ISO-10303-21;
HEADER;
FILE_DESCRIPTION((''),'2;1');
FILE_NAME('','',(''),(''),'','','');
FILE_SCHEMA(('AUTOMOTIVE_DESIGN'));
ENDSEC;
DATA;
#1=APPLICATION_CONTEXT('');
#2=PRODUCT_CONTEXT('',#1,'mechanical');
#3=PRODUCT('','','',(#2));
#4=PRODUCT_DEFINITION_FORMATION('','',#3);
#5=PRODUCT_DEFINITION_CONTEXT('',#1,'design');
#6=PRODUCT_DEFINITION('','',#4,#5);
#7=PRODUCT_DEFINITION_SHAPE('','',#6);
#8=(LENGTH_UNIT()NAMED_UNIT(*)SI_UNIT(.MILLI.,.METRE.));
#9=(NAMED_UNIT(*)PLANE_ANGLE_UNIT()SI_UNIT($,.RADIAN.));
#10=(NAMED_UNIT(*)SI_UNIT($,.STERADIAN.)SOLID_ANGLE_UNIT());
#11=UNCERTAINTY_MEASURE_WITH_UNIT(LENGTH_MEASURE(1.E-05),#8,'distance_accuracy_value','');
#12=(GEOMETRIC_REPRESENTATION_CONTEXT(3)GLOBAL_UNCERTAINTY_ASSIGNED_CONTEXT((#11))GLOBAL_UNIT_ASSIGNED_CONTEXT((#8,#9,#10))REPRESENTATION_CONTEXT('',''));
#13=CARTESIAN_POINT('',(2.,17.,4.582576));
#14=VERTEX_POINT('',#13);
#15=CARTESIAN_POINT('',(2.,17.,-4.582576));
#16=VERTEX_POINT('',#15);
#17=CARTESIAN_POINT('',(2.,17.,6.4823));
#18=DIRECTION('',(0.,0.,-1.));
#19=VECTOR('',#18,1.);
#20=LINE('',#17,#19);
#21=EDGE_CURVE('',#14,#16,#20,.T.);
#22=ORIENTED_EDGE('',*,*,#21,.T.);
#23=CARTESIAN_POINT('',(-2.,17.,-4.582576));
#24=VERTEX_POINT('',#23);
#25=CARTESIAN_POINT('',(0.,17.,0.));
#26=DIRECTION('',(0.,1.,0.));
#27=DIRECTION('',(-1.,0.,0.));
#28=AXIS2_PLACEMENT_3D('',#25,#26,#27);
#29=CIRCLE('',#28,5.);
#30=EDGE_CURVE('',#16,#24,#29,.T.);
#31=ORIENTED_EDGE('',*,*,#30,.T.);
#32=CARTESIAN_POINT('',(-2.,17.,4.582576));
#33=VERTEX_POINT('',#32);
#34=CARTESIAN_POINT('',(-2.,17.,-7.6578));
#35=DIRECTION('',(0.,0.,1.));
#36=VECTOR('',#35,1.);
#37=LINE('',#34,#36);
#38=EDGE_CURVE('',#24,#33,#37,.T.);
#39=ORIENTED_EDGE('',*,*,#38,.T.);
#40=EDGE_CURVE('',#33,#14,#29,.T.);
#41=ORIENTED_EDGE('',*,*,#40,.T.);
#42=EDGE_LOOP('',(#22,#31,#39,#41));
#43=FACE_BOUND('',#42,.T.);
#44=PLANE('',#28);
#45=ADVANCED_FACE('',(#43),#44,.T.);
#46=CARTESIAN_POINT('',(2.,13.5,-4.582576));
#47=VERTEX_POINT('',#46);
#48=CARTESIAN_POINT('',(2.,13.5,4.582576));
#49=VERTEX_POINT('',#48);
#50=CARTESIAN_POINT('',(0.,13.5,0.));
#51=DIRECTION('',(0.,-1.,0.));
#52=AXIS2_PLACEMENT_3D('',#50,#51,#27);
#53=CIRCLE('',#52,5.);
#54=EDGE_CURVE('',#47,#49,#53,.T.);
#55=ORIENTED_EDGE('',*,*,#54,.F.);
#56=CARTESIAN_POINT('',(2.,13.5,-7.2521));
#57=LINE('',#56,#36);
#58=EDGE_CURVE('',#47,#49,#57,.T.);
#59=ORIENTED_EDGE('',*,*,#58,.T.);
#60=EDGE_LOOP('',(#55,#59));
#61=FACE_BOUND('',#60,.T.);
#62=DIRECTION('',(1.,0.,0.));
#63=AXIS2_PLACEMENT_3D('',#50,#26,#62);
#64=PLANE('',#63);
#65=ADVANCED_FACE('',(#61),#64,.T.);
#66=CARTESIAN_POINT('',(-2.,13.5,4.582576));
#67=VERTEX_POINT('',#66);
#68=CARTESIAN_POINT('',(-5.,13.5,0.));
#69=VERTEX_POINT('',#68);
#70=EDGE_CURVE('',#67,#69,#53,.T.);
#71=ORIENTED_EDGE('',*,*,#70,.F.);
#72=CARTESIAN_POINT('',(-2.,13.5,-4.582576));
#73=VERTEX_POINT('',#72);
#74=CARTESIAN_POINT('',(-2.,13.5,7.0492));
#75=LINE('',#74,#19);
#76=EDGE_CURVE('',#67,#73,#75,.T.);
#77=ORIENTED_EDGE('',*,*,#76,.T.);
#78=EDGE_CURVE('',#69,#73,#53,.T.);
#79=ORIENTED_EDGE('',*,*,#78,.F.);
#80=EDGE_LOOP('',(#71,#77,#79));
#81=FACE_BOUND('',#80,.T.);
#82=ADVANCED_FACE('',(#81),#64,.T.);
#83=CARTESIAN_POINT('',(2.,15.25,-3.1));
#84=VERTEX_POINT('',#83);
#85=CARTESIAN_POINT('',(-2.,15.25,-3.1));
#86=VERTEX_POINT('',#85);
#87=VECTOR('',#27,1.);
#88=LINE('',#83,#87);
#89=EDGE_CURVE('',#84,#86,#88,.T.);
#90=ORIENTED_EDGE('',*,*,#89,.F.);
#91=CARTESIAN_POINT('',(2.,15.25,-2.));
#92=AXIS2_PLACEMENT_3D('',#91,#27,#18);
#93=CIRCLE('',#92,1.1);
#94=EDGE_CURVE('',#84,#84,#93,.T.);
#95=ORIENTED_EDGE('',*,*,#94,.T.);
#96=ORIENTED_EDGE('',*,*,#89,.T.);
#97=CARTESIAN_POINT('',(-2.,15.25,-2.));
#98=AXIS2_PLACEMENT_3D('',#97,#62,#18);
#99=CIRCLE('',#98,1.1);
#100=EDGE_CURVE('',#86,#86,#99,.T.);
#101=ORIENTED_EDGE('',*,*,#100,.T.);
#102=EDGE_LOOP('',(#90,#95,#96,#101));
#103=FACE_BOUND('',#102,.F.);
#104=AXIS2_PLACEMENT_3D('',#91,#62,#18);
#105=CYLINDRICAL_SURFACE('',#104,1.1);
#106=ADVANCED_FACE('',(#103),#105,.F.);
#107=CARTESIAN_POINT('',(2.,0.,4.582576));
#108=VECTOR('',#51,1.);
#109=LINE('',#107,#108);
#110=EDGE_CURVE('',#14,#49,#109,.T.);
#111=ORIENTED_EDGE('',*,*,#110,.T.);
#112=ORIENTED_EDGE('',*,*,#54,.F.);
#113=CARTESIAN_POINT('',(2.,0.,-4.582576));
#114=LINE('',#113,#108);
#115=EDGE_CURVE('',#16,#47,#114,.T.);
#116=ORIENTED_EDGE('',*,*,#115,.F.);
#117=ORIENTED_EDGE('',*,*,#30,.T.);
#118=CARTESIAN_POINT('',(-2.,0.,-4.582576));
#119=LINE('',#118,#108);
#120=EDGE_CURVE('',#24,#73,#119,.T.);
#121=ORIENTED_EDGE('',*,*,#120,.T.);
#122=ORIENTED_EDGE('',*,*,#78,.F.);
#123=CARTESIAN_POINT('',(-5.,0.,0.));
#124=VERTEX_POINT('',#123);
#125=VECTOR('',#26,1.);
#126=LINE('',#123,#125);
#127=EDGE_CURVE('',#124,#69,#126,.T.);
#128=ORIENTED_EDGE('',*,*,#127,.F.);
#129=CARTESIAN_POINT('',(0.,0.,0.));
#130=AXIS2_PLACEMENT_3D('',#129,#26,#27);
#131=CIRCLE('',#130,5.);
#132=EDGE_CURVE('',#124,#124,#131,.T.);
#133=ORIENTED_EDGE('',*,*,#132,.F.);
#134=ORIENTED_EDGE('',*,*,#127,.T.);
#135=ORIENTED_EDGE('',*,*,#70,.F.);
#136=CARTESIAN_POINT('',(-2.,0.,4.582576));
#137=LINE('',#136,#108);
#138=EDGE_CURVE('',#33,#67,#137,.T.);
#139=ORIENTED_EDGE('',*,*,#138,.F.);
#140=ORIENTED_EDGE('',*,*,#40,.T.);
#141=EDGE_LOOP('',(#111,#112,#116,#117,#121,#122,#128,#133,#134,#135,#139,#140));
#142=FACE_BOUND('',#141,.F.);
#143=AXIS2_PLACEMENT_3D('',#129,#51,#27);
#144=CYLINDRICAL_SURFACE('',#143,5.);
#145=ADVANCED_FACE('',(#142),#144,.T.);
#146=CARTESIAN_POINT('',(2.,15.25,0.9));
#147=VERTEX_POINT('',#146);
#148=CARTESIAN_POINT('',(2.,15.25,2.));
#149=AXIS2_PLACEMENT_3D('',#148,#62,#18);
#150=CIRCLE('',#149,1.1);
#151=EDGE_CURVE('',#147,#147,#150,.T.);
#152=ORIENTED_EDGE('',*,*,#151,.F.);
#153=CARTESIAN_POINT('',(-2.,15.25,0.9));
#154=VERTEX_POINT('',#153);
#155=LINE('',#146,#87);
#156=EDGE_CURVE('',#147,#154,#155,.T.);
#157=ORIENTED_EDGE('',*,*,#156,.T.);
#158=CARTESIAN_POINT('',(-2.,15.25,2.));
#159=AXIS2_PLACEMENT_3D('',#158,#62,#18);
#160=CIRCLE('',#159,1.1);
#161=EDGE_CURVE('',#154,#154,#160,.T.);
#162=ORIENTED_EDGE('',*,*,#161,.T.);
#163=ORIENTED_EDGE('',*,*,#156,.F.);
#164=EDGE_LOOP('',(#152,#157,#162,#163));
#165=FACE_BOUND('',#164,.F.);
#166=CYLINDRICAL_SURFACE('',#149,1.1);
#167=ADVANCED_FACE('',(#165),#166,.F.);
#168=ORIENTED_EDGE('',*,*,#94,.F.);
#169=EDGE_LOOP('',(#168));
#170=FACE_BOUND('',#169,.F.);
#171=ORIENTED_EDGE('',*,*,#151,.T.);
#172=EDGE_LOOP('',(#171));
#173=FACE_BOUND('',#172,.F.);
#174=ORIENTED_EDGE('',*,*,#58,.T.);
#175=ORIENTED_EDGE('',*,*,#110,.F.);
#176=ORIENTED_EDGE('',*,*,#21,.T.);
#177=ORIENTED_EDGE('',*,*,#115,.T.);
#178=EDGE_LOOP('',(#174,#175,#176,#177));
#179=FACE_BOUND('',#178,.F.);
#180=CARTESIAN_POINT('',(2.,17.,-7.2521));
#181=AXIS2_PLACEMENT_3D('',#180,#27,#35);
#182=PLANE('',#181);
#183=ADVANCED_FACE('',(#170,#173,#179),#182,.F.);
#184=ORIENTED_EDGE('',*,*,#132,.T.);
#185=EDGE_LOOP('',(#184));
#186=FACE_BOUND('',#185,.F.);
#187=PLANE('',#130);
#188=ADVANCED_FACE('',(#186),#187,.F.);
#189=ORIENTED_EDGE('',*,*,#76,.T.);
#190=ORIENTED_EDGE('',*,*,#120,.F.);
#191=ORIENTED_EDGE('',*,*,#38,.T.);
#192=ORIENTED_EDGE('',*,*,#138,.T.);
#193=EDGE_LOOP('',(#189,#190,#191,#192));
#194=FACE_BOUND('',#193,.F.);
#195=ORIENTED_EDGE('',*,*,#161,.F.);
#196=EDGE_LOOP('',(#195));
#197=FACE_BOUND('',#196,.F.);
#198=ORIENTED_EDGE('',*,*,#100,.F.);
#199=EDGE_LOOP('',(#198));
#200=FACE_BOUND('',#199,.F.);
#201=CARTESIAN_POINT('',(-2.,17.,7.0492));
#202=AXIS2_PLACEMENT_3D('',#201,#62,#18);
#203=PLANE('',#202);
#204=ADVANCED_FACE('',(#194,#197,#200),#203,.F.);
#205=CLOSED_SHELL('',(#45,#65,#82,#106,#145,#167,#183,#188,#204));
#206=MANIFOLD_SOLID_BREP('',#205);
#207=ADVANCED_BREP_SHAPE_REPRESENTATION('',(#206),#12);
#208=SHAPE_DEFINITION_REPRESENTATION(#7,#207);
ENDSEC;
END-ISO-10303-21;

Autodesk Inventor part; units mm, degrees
ref_plane "YZ Plane" through (0, 0, 0) normal (1, 0, 0) x (0, 1, 0)
ref_plane "XZ Plane" through (0, 0, 0) normal (0, 1, 0) x (-1, 0, 0)
ref_plane "XY Plane" through (0, 0, 0) normal (0, 0, 1) x (1, 0, 0)
sketch "Sketch1" plane through (0, 0, 0) normal (0, 1, 0) x (-1, 0, 0)
  circle A0 centre (0, 0) radius 5
  dimension "d0" = 10
extrude "Extrusion1" add sketch "Sketch1" along normal blind 17
sketch "Sketch2" plane through (0, 17, 0) normal (0, 1, 0) x (1, 0, 0)
  line L0 (0, 0) -> (-2, 0)
  line L1 (-2, 0) -> (-2, 7.2521)
  line L2 (0, 0) -> (2, 0)
  line L3 (2, 0) -> (2, -7.0492)
  line L4 (2, -7.0492) -> (-2, -7.0492)
  line L5 (-2, -7.0492) -> (-2, 7.2521)
  line L6 (-2, 7.2521) -> (2, 7.2521)
  line L7 (2, 7.2521) -> (2, -7.0492)
  line L8 (-2, -7.0492) -> (-8.2773, -7.0492)
  line L9 (-8.2773, -7.0492) -> (-8.2773, 7.6578)
  line L10 (-8.2773, 7.6578) -> (-2, 7.6578)
  line L11 (-2, 7.6578) -> (-2, -7.0492)
  line L12 (2, 7.2521) -> (6.5688, 7.2521)
  line L13 (6.5688, 7.2521) -> (6.5688, -6.4823)
  line L14 (6.5688, -6.4823) -> (2, -6.4823)
  line L15 (2, -6.4823) -> (2, 7.2521)
  dimension "d3" = 2
  dimension "d4" = 2
extrude "Extrusion2" cut sketch "Sketch2" against normal blind 3.5 contours L5 L8 L9 L10 L11 L1 | L7 L12 L13 L14 L3
sketch "Sketch3" plane through (2, 17, 4.5826) normal (1, 0, 0) x (0, 0, -1)
  line L0 (9.1652, 0) -> (0, 0) projected
  line L1 (4.5826, 0) -> (4.5826, -1.75)
  line L2 (4.5826, -1.75) -> (2.5826, -1.75)
  line L3 (4.5826, -1.75) -> (6.5826, -1.75)
  circle A0 centre (2.5826, -1.75) radius 1.1
  circle A1 centre (6.5826, -1.75) radius 1.1
  point P0 (4.5826, -17)
  dimension "d7" = 1.75
  dimension "d8" = 2
  dimension "d9" = 2
  dimension "d10" = 2.2
  dimension "d11" = 2.2
extrude "Extrusion3" cut sketch "Sketch3" against normal blind 56
properties part number "drive_shaft_v4"
